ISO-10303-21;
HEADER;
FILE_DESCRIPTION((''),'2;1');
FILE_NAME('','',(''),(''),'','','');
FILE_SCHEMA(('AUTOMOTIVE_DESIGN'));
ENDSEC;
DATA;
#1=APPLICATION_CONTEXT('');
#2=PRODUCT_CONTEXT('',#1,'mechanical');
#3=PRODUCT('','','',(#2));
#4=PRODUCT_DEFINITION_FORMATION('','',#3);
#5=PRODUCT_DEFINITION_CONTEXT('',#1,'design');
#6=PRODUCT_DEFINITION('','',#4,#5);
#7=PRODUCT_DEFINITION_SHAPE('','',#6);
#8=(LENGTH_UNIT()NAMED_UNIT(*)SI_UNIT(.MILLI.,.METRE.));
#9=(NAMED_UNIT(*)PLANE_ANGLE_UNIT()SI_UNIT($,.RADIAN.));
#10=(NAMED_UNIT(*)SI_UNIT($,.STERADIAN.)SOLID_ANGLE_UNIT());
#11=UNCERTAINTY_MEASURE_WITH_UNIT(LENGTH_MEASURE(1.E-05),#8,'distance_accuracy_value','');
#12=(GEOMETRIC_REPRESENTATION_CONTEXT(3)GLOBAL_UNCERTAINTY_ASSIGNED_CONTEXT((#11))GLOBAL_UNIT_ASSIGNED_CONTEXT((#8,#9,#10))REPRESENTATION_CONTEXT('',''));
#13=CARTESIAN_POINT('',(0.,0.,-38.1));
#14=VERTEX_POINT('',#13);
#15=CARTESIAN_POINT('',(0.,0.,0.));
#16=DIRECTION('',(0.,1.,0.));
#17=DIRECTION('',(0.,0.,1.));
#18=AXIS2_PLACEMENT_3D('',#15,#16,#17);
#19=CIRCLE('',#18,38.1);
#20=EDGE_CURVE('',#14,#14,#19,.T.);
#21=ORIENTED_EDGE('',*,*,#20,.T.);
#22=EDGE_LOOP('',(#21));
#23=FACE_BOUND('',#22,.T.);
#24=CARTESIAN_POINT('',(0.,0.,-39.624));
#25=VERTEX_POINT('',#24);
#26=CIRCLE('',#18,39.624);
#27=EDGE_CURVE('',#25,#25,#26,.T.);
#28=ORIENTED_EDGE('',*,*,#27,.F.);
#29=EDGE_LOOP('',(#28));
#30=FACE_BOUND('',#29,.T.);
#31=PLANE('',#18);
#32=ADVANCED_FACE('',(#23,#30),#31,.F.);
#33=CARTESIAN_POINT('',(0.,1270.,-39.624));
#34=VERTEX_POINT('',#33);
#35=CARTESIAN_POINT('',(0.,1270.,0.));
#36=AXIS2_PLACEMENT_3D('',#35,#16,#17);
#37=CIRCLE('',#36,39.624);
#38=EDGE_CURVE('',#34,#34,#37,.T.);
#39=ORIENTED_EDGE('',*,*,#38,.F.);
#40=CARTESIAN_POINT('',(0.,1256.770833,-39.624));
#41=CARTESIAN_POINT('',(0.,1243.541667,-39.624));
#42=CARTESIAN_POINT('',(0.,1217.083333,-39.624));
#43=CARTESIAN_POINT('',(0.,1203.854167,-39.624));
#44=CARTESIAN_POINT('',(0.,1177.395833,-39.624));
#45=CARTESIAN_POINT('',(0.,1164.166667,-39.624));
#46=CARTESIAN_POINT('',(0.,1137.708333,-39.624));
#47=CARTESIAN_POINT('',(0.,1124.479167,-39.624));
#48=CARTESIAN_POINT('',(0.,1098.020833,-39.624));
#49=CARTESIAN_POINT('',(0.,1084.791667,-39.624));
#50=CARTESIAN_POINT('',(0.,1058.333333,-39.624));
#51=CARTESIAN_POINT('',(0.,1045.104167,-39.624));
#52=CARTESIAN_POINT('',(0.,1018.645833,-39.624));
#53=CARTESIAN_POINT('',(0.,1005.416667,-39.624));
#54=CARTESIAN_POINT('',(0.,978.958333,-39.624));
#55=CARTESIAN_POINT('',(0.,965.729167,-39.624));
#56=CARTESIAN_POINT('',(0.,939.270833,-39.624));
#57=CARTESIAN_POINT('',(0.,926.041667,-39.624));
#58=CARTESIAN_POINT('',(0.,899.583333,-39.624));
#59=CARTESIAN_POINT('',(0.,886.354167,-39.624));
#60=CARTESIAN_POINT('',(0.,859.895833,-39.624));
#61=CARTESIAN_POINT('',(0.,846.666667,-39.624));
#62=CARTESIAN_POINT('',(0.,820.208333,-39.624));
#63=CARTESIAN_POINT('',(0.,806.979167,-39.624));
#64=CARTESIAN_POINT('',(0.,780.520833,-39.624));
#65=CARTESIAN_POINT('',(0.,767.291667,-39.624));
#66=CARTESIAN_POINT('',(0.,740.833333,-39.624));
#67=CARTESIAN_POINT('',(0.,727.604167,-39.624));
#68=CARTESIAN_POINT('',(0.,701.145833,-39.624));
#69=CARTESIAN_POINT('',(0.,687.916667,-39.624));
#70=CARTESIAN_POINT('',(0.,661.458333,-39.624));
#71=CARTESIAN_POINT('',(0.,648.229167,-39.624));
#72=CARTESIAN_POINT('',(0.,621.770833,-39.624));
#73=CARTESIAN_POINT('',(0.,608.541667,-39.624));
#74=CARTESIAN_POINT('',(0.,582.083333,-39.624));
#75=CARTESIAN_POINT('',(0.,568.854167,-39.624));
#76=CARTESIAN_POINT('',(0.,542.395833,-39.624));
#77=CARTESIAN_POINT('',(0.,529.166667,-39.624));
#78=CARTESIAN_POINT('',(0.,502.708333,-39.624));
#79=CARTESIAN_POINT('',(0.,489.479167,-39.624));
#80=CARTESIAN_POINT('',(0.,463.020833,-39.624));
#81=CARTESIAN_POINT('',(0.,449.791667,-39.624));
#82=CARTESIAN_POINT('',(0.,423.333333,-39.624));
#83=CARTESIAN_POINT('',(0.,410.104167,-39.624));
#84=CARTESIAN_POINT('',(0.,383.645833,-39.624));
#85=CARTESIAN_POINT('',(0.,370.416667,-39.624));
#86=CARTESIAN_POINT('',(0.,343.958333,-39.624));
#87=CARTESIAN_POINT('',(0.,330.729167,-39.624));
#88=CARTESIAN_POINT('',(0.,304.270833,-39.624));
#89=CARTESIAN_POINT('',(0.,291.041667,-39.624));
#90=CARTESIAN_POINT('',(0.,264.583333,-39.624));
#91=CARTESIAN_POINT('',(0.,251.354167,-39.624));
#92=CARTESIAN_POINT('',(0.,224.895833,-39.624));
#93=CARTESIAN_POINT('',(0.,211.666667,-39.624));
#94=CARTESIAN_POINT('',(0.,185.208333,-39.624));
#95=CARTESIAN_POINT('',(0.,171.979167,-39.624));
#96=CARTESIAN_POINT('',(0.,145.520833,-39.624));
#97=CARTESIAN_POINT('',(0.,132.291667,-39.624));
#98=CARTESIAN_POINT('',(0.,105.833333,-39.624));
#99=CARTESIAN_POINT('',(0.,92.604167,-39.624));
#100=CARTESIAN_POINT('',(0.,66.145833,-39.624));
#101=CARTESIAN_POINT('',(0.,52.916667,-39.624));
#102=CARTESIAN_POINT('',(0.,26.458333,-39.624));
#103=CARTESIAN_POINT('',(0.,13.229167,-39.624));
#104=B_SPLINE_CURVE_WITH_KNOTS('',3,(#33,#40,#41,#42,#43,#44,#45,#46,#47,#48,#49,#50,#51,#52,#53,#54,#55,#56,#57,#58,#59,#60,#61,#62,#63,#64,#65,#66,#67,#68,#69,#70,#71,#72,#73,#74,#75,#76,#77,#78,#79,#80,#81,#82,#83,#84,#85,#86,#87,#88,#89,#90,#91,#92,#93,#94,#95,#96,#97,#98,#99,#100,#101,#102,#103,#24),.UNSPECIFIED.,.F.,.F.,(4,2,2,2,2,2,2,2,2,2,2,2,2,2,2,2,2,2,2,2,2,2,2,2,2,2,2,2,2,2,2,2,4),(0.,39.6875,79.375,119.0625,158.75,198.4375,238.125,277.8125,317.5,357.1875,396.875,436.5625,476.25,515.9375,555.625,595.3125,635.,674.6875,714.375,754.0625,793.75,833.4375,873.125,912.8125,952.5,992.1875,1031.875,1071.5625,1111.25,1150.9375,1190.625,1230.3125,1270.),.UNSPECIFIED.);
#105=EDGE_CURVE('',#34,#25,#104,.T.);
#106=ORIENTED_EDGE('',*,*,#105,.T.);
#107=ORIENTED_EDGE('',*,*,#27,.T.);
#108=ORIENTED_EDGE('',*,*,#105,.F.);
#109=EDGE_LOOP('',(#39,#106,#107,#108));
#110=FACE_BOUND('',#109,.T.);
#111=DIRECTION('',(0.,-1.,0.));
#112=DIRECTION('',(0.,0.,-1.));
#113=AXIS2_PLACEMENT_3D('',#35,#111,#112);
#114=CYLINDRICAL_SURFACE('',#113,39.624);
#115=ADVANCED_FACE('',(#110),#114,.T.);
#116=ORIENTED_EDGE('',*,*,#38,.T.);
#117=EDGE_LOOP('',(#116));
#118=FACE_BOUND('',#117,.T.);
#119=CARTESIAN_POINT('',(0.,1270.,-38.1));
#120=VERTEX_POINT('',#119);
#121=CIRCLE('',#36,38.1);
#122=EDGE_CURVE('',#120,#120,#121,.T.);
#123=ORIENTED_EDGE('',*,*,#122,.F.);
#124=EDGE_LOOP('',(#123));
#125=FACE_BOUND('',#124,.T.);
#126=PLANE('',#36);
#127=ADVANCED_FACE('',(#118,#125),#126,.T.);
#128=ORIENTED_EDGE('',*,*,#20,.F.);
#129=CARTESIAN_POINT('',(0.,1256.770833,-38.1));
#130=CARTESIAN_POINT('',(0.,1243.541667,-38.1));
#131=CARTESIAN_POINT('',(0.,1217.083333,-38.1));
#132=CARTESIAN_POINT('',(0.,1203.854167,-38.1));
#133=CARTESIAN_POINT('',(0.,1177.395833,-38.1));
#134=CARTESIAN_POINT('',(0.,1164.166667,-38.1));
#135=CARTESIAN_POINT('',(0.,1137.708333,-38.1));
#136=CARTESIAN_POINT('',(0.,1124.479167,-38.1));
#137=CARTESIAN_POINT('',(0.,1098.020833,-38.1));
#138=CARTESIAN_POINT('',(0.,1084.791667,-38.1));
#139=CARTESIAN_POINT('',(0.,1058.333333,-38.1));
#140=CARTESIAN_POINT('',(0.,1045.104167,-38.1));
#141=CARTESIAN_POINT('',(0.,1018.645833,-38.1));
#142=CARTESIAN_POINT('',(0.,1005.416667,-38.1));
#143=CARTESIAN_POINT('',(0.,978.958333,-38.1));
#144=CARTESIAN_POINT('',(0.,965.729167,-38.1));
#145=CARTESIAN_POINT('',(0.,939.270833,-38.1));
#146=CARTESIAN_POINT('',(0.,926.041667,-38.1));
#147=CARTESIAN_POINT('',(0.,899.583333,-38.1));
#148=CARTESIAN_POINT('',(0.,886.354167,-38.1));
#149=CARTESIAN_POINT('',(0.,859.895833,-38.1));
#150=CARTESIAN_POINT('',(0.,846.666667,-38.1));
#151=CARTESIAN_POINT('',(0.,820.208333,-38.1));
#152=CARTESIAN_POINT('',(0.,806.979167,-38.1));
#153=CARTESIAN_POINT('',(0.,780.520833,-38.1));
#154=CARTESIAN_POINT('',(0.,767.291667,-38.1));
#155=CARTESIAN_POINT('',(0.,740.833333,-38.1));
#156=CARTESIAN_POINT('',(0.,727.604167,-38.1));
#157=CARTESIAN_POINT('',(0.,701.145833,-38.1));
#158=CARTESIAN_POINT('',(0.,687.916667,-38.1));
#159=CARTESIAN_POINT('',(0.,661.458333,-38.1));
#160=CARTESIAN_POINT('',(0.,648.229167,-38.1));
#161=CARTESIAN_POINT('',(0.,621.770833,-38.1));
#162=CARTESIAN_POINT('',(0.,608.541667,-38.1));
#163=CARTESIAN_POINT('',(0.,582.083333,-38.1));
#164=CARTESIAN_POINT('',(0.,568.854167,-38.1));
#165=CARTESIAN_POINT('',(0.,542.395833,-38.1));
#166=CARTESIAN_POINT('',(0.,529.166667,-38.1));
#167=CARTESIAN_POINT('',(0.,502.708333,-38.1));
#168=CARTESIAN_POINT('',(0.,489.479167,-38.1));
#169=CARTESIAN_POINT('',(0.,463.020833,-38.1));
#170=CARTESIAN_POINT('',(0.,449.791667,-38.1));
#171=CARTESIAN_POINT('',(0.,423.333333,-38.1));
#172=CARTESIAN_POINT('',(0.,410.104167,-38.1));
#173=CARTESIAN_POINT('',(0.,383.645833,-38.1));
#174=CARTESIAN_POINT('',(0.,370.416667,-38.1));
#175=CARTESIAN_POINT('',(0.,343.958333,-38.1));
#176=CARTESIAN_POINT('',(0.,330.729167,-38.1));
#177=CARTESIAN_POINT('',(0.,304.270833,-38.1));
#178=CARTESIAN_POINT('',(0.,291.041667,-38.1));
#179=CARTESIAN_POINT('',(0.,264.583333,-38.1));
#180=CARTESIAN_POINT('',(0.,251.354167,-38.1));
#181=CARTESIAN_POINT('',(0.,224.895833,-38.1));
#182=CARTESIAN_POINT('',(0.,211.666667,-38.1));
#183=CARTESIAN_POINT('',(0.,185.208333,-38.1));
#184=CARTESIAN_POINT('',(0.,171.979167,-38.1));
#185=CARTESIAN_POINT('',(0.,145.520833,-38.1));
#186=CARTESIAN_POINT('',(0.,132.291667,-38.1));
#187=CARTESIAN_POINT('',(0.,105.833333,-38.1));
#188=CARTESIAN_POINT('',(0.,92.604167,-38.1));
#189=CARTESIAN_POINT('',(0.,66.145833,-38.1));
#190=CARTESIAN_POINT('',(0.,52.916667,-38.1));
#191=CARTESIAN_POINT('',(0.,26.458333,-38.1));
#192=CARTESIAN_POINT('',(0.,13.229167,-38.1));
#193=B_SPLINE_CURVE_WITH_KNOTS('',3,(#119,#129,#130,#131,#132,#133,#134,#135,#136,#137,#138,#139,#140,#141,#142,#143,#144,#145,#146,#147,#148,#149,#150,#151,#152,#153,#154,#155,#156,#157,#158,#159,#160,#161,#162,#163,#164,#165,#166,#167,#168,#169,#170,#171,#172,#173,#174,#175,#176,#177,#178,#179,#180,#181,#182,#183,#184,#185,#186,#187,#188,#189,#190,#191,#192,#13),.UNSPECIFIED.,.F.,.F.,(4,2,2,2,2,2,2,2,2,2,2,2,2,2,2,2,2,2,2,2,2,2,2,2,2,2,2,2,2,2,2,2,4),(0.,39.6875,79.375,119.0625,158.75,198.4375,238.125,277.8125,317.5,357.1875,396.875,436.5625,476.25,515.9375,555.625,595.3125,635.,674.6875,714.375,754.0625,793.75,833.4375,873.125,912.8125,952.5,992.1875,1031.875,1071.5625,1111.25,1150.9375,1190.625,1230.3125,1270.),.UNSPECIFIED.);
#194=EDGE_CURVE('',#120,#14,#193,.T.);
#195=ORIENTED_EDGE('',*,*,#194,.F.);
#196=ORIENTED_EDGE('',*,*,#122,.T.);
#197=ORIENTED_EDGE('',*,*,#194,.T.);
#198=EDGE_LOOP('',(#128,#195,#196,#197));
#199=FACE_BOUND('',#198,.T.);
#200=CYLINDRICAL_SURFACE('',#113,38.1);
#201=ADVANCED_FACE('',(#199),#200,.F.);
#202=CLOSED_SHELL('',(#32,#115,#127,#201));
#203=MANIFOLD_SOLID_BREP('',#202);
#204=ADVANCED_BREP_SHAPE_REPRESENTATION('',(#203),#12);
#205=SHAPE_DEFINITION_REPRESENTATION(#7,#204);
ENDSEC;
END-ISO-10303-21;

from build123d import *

# Parameters (mm, degrees)
SKETCH1_R           = 39.624
SKETCH1_R_2         = 38.1
BOSS_EXTRUDE1_DEPTH = 1270


with BuildPart() as part:
    # Sketch1 → Boss-Extrude1 (new body)
    with BuildSketch(Plane(origin=(0, 0, 0), x_dir=(1, 0, 0), z_dir=(0, 1, 0))):
        with Locations(Location((0, 0, 0), (0, 0, 90))):
            Circle(SKETCH1_R)
        with Locations(Location((0, 0, 0), (0, 0, 90))):
            Circle(SKETCH1_R_2, mode=Mode.SUBTRACT)
    extrude(amount=BOSS_EXTRUDE1_DEPTH)


solid = part.part
